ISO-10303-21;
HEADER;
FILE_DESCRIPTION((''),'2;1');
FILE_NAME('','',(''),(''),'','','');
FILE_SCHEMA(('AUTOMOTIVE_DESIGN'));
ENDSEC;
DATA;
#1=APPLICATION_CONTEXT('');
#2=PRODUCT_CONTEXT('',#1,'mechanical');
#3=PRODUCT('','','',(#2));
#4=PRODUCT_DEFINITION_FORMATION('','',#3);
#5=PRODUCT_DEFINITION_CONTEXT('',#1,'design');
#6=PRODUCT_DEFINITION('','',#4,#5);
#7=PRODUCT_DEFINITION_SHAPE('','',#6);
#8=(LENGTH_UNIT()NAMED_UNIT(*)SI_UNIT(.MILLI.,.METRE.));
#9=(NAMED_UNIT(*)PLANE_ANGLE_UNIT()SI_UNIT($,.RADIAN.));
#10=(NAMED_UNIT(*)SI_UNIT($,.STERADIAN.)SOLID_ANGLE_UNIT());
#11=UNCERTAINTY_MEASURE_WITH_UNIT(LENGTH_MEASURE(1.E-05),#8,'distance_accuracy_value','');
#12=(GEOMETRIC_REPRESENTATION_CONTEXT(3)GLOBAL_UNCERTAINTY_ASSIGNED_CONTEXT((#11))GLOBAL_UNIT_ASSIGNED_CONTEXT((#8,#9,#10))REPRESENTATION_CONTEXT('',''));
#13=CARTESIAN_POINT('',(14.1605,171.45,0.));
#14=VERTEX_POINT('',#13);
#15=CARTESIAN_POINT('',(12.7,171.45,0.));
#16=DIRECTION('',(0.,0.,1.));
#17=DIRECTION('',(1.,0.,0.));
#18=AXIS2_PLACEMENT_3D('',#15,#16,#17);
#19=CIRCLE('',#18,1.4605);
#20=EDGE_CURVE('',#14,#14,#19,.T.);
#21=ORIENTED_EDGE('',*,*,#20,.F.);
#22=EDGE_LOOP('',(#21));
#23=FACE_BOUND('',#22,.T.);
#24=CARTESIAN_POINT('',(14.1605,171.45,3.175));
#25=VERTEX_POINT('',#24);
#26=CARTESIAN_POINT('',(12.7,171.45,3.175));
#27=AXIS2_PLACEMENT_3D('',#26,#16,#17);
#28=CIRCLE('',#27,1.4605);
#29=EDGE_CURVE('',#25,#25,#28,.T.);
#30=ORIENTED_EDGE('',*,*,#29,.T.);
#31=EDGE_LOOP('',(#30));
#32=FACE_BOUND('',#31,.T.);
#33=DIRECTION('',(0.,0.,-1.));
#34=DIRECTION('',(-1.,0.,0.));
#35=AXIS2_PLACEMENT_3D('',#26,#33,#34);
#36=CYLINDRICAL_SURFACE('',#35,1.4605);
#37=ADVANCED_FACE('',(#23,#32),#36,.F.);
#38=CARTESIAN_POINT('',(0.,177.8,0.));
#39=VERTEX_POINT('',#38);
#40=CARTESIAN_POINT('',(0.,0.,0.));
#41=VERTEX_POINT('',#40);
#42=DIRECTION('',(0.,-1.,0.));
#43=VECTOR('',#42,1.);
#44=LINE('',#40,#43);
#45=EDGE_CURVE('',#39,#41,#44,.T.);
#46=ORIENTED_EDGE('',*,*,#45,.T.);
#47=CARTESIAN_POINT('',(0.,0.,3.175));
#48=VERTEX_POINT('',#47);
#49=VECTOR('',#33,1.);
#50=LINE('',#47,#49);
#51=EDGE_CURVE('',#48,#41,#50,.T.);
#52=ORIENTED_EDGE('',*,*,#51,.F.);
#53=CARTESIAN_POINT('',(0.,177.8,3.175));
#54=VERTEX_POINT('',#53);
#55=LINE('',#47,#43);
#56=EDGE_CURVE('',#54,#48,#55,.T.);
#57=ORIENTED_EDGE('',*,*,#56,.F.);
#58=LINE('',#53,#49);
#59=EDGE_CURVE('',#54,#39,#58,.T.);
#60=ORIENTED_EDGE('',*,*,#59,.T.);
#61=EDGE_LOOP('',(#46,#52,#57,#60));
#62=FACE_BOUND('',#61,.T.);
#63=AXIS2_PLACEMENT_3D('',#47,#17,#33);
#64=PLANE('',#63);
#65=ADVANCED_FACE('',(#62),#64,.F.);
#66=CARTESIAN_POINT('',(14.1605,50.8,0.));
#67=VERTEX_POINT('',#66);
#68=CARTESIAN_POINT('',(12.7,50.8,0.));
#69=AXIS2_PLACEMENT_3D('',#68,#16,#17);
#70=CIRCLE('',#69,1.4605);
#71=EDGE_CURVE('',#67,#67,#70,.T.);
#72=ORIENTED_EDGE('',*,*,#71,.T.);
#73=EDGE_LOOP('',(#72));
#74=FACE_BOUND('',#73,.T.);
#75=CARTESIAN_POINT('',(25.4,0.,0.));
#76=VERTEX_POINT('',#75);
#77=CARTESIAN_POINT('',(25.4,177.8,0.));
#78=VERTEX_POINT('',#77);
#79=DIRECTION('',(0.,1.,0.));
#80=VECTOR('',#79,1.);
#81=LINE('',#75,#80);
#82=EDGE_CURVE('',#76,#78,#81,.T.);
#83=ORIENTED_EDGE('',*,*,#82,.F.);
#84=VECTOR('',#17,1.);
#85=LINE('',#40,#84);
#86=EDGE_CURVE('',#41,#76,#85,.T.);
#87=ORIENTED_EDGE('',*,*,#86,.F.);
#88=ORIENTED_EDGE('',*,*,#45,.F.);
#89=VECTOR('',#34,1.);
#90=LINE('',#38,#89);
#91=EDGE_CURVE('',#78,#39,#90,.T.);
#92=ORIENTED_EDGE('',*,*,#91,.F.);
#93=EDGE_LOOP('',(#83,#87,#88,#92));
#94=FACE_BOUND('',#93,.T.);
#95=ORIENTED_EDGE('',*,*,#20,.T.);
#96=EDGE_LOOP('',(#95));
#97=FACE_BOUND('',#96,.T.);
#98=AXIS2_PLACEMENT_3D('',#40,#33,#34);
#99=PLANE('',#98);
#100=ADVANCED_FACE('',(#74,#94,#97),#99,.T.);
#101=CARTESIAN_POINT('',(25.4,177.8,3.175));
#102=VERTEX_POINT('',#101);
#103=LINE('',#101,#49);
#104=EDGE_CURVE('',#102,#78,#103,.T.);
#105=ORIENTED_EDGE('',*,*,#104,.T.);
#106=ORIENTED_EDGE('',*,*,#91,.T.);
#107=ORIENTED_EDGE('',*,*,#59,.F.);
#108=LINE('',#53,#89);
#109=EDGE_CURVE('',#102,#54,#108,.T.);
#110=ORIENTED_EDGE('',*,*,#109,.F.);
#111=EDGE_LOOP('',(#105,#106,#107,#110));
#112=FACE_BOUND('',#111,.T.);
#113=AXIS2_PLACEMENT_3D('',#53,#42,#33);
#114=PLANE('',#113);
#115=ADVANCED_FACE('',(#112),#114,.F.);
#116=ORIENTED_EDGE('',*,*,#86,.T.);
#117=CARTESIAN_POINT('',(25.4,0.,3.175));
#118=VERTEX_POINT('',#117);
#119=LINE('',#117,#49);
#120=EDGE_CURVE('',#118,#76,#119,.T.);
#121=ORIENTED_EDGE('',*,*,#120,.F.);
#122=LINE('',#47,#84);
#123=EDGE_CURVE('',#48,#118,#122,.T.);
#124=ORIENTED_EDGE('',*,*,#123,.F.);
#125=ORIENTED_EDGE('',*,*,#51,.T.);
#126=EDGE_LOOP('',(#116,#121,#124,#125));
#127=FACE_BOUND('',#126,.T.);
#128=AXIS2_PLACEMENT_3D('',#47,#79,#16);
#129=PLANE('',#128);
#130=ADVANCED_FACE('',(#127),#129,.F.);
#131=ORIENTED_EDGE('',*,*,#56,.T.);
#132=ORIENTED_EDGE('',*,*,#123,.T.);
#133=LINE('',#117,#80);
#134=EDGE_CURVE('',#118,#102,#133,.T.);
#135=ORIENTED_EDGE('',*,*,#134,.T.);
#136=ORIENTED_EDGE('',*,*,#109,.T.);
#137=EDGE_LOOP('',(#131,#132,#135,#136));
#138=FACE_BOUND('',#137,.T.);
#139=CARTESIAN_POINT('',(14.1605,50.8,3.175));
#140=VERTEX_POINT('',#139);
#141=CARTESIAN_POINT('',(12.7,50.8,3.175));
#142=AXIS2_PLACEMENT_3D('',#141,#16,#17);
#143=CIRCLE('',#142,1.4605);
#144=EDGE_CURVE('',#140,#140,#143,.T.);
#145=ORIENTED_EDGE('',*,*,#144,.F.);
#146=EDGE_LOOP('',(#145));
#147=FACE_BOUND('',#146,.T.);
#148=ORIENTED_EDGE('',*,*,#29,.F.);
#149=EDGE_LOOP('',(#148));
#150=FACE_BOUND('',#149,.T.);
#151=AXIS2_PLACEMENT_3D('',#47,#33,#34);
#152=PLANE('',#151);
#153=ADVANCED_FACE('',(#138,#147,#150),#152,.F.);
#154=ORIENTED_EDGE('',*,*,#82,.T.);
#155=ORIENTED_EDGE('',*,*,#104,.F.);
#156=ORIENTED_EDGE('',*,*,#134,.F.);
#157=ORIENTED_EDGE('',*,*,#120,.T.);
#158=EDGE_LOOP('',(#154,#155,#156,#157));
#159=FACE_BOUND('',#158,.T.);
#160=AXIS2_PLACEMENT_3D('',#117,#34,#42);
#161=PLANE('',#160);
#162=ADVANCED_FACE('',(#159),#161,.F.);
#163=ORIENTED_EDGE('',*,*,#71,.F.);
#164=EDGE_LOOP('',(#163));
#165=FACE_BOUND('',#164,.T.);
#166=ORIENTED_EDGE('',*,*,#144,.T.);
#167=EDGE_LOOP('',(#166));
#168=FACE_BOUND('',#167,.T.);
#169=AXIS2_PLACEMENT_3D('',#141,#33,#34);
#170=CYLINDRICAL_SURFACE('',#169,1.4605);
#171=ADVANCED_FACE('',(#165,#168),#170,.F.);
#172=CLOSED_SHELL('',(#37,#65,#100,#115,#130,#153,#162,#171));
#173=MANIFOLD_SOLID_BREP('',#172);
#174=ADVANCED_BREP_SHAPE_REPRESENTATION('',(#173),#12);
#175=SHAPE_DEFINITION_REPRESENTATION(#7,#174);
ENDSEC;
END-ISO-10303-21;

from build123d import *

# Parameters (mm, degrees)
SKETCH2_W           = 25.4
SKETCH2_H           = 177.8
SKETCH2_R           = 1.4605
BOSS_EXTRUDE1_DEPTH = 3.175


with BuildPart() as part:
    # Sketch2 → Boss-Extrude1 (new body)
    with BuildSketch(Plane.XY):
        with Locations((12.7, 88.9)):
            Rectangle(SKETCH2_W, SKETCH2_H)
        with Locations((12.7, 171.45)):
            Circle(SKETCH2_R, mode=Mode.SUBTRACT)
        with Locations((12.7, 50.8)):
            Circle(SKETCH2_R, mode=Mode.SUBTRACT)
    extrude(amount=BOSS_EXTRUDE1_DEPTH)


solid = part.part
